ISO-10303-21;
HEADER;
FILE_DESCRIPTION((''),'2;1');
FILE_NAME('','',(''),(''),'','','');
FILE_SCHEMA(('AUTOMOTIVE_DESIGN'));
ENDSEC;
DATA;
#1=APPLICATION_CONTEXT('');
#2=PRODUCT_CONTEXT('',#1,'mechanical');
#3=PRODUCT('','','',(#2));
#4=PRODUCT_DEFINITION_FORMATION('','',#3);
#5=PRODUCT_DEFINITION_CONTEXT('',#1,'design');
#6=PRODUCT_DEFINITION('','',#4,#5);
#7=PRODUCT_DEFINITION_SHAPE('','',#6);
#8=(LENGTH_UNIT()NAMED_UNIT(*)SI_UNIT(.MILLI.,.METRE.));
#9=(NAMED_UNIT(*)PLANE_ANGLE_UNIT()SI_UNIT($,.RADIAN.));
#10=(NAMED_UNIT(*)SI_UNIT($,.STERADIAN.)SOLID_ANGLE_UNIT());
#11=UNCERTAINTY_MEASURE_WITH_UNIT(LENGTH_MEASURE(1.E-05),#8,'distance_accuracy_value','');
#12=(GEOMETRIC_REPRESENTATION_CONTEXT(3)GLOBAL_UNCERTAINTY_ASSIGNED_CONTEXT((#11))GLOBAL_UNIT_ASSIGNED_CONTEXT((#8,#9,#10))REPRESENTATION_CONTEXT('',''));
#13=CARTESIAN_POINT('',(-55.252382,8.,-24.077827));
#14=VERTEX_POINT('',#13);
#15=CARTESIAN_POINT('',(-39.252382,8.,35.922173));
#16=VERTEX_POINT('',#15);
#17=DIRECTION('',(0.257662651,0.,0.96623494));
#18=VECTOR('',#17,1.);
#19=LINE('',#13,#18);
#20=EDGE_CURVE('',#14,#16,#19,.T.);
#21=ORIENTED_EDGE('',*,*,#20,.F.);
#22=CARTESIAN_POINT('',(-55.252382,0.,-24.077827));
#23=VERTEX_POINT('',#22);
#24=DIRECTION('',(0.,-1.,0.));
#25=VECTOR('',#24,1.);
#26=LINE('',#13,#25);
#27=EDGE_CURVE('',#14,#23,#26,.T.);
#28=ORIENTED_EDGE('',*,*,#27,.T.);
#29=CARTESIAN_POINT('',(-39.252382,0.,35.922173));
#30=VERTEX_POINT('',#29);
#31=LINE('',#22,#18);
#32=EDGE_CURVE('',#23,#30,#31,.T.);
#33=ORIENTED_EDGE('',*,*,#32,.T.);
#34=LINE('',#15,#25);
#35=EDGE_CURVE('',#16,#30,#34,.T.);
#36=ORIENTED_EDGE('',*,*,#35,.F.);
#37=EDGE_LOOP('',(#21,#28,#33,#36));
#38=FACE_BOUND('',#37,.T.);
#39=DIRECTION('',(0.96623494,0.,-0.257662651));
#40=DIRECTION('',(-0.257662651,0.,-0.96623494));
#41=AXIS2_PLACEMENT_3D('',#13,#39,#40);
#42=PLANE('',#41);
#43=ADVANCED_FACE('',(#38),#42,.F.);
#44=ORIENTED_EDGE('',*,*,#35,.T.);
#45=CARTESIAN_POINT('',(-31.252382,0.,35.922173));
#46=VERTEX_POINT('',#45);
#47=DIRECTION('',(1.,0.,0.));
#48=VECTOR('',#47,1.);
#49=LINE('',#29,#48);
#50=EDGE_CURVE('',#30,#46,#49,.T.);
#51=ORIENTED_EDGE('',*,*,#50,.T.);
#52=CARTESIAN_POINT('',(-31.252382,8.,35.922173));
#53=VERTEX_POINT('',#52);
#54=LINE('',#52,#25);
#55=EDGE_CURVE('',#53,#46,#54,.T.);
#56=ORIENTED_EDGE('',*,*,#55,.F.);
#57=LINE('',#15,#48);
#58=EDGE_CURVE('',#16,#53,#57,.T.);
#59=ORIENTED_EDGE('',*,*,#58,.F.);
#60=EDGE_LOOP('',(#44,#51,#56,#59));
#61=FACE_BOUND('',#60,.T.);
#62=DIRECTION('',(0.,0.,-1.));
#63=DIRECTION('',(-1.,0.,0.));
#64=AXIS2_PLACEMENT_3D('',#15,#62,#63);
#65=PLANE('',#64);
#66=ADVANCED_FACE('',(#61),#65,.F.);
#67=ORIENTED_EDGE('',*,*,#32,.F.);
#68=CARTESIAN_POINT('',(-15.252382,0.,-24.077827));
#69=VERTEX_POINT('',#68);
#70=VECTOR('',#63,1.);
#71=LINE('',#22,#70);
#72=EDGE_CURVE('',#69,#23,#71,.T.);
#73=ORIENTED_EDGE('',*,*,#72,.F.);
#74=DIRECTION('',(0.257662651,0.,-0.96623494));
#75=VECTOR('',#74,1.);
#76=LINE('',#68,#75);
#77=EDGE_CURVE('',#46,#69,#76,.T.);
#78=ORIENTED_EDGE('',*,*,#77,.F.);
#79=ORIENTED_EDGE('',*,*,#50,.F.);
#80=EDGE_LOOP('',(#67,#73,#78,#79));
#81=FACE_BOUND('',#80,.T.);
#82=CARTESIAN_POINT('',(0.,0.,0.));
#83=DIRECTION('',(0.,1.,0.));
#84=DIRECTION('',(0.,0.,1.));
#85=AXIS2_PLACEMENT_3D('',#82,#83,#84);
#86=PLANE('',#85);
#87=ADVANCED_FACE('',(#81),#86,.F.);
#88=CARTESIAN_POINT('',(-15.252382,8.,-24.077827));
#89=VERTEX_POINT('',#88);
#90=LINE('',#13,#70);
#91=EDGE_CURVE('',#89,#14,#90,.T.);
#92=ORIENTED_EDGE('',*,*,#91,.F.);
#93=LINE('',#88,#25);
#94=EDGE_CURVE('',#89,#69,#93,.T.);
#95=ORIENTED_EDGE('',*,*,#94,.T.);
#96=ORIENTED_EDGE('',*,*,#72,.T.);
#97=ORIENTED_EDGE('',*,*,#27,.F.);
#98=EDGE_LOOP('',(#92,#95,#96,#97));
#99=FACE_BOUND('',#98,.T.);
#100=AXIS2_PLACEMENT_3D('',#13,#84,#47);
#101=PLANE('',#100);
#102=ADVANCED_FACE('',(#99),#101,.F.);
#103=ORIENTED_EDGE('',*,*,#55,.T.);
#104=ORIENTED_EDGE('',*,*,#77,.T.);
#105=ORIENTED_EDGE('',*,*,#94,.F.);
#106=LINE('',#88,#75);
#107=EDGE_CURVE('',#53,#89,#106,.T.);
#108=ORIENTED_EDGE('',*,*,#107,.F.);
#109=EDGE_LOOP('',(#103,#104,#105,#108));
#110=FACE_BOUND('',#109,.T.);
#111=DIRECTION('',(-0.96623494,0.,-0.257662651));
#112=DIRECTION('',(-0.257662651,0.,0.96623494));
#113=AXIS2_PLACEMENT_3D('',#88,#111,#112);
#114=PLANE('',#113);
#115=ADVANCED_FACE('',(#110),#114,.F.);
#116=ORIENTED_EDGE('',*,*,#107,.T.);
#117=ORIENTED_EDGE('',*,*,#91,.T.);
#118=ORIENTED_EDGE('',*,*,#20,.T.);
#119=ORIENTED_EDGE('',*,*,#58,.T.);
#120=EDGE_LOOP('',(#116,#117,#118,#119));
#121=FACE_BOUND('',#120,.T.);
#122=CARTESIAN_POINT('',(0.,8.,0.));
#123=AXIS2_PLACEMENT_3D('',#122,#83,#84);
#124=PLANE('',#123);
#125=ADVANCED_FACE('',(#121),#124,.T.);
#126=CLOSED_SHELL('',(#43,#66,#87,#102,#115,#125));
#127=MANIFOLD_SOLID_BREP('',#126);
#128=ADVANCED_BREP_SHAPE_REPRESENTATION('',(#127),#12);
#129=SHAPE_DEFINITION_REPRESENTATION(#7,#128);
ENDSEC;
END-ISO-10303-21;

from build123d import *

# Parameters (mm, degrees)
VIRTUAL_CARGO_EXTRUDE_DEPTH = 8


with BuildPart() as part:
    # Virtual cargo → Virtual cargo extrude (new body)
    with BuildSketch(Plane(origin=(0, 0, 0), x_dir=(1, 0, 0), z_dir=(0, 1, 0))):
        Polygon((-55.252382204, 24.077826537), (-15.252382204, 24.077826537), (-31.252382204, -35.922173463), (-39.252382204, -35.922173463), align=None)
    extrude(amount=VIRTUAL_CARGO_EXTRUDE_DEPTH)


solid = part.part
